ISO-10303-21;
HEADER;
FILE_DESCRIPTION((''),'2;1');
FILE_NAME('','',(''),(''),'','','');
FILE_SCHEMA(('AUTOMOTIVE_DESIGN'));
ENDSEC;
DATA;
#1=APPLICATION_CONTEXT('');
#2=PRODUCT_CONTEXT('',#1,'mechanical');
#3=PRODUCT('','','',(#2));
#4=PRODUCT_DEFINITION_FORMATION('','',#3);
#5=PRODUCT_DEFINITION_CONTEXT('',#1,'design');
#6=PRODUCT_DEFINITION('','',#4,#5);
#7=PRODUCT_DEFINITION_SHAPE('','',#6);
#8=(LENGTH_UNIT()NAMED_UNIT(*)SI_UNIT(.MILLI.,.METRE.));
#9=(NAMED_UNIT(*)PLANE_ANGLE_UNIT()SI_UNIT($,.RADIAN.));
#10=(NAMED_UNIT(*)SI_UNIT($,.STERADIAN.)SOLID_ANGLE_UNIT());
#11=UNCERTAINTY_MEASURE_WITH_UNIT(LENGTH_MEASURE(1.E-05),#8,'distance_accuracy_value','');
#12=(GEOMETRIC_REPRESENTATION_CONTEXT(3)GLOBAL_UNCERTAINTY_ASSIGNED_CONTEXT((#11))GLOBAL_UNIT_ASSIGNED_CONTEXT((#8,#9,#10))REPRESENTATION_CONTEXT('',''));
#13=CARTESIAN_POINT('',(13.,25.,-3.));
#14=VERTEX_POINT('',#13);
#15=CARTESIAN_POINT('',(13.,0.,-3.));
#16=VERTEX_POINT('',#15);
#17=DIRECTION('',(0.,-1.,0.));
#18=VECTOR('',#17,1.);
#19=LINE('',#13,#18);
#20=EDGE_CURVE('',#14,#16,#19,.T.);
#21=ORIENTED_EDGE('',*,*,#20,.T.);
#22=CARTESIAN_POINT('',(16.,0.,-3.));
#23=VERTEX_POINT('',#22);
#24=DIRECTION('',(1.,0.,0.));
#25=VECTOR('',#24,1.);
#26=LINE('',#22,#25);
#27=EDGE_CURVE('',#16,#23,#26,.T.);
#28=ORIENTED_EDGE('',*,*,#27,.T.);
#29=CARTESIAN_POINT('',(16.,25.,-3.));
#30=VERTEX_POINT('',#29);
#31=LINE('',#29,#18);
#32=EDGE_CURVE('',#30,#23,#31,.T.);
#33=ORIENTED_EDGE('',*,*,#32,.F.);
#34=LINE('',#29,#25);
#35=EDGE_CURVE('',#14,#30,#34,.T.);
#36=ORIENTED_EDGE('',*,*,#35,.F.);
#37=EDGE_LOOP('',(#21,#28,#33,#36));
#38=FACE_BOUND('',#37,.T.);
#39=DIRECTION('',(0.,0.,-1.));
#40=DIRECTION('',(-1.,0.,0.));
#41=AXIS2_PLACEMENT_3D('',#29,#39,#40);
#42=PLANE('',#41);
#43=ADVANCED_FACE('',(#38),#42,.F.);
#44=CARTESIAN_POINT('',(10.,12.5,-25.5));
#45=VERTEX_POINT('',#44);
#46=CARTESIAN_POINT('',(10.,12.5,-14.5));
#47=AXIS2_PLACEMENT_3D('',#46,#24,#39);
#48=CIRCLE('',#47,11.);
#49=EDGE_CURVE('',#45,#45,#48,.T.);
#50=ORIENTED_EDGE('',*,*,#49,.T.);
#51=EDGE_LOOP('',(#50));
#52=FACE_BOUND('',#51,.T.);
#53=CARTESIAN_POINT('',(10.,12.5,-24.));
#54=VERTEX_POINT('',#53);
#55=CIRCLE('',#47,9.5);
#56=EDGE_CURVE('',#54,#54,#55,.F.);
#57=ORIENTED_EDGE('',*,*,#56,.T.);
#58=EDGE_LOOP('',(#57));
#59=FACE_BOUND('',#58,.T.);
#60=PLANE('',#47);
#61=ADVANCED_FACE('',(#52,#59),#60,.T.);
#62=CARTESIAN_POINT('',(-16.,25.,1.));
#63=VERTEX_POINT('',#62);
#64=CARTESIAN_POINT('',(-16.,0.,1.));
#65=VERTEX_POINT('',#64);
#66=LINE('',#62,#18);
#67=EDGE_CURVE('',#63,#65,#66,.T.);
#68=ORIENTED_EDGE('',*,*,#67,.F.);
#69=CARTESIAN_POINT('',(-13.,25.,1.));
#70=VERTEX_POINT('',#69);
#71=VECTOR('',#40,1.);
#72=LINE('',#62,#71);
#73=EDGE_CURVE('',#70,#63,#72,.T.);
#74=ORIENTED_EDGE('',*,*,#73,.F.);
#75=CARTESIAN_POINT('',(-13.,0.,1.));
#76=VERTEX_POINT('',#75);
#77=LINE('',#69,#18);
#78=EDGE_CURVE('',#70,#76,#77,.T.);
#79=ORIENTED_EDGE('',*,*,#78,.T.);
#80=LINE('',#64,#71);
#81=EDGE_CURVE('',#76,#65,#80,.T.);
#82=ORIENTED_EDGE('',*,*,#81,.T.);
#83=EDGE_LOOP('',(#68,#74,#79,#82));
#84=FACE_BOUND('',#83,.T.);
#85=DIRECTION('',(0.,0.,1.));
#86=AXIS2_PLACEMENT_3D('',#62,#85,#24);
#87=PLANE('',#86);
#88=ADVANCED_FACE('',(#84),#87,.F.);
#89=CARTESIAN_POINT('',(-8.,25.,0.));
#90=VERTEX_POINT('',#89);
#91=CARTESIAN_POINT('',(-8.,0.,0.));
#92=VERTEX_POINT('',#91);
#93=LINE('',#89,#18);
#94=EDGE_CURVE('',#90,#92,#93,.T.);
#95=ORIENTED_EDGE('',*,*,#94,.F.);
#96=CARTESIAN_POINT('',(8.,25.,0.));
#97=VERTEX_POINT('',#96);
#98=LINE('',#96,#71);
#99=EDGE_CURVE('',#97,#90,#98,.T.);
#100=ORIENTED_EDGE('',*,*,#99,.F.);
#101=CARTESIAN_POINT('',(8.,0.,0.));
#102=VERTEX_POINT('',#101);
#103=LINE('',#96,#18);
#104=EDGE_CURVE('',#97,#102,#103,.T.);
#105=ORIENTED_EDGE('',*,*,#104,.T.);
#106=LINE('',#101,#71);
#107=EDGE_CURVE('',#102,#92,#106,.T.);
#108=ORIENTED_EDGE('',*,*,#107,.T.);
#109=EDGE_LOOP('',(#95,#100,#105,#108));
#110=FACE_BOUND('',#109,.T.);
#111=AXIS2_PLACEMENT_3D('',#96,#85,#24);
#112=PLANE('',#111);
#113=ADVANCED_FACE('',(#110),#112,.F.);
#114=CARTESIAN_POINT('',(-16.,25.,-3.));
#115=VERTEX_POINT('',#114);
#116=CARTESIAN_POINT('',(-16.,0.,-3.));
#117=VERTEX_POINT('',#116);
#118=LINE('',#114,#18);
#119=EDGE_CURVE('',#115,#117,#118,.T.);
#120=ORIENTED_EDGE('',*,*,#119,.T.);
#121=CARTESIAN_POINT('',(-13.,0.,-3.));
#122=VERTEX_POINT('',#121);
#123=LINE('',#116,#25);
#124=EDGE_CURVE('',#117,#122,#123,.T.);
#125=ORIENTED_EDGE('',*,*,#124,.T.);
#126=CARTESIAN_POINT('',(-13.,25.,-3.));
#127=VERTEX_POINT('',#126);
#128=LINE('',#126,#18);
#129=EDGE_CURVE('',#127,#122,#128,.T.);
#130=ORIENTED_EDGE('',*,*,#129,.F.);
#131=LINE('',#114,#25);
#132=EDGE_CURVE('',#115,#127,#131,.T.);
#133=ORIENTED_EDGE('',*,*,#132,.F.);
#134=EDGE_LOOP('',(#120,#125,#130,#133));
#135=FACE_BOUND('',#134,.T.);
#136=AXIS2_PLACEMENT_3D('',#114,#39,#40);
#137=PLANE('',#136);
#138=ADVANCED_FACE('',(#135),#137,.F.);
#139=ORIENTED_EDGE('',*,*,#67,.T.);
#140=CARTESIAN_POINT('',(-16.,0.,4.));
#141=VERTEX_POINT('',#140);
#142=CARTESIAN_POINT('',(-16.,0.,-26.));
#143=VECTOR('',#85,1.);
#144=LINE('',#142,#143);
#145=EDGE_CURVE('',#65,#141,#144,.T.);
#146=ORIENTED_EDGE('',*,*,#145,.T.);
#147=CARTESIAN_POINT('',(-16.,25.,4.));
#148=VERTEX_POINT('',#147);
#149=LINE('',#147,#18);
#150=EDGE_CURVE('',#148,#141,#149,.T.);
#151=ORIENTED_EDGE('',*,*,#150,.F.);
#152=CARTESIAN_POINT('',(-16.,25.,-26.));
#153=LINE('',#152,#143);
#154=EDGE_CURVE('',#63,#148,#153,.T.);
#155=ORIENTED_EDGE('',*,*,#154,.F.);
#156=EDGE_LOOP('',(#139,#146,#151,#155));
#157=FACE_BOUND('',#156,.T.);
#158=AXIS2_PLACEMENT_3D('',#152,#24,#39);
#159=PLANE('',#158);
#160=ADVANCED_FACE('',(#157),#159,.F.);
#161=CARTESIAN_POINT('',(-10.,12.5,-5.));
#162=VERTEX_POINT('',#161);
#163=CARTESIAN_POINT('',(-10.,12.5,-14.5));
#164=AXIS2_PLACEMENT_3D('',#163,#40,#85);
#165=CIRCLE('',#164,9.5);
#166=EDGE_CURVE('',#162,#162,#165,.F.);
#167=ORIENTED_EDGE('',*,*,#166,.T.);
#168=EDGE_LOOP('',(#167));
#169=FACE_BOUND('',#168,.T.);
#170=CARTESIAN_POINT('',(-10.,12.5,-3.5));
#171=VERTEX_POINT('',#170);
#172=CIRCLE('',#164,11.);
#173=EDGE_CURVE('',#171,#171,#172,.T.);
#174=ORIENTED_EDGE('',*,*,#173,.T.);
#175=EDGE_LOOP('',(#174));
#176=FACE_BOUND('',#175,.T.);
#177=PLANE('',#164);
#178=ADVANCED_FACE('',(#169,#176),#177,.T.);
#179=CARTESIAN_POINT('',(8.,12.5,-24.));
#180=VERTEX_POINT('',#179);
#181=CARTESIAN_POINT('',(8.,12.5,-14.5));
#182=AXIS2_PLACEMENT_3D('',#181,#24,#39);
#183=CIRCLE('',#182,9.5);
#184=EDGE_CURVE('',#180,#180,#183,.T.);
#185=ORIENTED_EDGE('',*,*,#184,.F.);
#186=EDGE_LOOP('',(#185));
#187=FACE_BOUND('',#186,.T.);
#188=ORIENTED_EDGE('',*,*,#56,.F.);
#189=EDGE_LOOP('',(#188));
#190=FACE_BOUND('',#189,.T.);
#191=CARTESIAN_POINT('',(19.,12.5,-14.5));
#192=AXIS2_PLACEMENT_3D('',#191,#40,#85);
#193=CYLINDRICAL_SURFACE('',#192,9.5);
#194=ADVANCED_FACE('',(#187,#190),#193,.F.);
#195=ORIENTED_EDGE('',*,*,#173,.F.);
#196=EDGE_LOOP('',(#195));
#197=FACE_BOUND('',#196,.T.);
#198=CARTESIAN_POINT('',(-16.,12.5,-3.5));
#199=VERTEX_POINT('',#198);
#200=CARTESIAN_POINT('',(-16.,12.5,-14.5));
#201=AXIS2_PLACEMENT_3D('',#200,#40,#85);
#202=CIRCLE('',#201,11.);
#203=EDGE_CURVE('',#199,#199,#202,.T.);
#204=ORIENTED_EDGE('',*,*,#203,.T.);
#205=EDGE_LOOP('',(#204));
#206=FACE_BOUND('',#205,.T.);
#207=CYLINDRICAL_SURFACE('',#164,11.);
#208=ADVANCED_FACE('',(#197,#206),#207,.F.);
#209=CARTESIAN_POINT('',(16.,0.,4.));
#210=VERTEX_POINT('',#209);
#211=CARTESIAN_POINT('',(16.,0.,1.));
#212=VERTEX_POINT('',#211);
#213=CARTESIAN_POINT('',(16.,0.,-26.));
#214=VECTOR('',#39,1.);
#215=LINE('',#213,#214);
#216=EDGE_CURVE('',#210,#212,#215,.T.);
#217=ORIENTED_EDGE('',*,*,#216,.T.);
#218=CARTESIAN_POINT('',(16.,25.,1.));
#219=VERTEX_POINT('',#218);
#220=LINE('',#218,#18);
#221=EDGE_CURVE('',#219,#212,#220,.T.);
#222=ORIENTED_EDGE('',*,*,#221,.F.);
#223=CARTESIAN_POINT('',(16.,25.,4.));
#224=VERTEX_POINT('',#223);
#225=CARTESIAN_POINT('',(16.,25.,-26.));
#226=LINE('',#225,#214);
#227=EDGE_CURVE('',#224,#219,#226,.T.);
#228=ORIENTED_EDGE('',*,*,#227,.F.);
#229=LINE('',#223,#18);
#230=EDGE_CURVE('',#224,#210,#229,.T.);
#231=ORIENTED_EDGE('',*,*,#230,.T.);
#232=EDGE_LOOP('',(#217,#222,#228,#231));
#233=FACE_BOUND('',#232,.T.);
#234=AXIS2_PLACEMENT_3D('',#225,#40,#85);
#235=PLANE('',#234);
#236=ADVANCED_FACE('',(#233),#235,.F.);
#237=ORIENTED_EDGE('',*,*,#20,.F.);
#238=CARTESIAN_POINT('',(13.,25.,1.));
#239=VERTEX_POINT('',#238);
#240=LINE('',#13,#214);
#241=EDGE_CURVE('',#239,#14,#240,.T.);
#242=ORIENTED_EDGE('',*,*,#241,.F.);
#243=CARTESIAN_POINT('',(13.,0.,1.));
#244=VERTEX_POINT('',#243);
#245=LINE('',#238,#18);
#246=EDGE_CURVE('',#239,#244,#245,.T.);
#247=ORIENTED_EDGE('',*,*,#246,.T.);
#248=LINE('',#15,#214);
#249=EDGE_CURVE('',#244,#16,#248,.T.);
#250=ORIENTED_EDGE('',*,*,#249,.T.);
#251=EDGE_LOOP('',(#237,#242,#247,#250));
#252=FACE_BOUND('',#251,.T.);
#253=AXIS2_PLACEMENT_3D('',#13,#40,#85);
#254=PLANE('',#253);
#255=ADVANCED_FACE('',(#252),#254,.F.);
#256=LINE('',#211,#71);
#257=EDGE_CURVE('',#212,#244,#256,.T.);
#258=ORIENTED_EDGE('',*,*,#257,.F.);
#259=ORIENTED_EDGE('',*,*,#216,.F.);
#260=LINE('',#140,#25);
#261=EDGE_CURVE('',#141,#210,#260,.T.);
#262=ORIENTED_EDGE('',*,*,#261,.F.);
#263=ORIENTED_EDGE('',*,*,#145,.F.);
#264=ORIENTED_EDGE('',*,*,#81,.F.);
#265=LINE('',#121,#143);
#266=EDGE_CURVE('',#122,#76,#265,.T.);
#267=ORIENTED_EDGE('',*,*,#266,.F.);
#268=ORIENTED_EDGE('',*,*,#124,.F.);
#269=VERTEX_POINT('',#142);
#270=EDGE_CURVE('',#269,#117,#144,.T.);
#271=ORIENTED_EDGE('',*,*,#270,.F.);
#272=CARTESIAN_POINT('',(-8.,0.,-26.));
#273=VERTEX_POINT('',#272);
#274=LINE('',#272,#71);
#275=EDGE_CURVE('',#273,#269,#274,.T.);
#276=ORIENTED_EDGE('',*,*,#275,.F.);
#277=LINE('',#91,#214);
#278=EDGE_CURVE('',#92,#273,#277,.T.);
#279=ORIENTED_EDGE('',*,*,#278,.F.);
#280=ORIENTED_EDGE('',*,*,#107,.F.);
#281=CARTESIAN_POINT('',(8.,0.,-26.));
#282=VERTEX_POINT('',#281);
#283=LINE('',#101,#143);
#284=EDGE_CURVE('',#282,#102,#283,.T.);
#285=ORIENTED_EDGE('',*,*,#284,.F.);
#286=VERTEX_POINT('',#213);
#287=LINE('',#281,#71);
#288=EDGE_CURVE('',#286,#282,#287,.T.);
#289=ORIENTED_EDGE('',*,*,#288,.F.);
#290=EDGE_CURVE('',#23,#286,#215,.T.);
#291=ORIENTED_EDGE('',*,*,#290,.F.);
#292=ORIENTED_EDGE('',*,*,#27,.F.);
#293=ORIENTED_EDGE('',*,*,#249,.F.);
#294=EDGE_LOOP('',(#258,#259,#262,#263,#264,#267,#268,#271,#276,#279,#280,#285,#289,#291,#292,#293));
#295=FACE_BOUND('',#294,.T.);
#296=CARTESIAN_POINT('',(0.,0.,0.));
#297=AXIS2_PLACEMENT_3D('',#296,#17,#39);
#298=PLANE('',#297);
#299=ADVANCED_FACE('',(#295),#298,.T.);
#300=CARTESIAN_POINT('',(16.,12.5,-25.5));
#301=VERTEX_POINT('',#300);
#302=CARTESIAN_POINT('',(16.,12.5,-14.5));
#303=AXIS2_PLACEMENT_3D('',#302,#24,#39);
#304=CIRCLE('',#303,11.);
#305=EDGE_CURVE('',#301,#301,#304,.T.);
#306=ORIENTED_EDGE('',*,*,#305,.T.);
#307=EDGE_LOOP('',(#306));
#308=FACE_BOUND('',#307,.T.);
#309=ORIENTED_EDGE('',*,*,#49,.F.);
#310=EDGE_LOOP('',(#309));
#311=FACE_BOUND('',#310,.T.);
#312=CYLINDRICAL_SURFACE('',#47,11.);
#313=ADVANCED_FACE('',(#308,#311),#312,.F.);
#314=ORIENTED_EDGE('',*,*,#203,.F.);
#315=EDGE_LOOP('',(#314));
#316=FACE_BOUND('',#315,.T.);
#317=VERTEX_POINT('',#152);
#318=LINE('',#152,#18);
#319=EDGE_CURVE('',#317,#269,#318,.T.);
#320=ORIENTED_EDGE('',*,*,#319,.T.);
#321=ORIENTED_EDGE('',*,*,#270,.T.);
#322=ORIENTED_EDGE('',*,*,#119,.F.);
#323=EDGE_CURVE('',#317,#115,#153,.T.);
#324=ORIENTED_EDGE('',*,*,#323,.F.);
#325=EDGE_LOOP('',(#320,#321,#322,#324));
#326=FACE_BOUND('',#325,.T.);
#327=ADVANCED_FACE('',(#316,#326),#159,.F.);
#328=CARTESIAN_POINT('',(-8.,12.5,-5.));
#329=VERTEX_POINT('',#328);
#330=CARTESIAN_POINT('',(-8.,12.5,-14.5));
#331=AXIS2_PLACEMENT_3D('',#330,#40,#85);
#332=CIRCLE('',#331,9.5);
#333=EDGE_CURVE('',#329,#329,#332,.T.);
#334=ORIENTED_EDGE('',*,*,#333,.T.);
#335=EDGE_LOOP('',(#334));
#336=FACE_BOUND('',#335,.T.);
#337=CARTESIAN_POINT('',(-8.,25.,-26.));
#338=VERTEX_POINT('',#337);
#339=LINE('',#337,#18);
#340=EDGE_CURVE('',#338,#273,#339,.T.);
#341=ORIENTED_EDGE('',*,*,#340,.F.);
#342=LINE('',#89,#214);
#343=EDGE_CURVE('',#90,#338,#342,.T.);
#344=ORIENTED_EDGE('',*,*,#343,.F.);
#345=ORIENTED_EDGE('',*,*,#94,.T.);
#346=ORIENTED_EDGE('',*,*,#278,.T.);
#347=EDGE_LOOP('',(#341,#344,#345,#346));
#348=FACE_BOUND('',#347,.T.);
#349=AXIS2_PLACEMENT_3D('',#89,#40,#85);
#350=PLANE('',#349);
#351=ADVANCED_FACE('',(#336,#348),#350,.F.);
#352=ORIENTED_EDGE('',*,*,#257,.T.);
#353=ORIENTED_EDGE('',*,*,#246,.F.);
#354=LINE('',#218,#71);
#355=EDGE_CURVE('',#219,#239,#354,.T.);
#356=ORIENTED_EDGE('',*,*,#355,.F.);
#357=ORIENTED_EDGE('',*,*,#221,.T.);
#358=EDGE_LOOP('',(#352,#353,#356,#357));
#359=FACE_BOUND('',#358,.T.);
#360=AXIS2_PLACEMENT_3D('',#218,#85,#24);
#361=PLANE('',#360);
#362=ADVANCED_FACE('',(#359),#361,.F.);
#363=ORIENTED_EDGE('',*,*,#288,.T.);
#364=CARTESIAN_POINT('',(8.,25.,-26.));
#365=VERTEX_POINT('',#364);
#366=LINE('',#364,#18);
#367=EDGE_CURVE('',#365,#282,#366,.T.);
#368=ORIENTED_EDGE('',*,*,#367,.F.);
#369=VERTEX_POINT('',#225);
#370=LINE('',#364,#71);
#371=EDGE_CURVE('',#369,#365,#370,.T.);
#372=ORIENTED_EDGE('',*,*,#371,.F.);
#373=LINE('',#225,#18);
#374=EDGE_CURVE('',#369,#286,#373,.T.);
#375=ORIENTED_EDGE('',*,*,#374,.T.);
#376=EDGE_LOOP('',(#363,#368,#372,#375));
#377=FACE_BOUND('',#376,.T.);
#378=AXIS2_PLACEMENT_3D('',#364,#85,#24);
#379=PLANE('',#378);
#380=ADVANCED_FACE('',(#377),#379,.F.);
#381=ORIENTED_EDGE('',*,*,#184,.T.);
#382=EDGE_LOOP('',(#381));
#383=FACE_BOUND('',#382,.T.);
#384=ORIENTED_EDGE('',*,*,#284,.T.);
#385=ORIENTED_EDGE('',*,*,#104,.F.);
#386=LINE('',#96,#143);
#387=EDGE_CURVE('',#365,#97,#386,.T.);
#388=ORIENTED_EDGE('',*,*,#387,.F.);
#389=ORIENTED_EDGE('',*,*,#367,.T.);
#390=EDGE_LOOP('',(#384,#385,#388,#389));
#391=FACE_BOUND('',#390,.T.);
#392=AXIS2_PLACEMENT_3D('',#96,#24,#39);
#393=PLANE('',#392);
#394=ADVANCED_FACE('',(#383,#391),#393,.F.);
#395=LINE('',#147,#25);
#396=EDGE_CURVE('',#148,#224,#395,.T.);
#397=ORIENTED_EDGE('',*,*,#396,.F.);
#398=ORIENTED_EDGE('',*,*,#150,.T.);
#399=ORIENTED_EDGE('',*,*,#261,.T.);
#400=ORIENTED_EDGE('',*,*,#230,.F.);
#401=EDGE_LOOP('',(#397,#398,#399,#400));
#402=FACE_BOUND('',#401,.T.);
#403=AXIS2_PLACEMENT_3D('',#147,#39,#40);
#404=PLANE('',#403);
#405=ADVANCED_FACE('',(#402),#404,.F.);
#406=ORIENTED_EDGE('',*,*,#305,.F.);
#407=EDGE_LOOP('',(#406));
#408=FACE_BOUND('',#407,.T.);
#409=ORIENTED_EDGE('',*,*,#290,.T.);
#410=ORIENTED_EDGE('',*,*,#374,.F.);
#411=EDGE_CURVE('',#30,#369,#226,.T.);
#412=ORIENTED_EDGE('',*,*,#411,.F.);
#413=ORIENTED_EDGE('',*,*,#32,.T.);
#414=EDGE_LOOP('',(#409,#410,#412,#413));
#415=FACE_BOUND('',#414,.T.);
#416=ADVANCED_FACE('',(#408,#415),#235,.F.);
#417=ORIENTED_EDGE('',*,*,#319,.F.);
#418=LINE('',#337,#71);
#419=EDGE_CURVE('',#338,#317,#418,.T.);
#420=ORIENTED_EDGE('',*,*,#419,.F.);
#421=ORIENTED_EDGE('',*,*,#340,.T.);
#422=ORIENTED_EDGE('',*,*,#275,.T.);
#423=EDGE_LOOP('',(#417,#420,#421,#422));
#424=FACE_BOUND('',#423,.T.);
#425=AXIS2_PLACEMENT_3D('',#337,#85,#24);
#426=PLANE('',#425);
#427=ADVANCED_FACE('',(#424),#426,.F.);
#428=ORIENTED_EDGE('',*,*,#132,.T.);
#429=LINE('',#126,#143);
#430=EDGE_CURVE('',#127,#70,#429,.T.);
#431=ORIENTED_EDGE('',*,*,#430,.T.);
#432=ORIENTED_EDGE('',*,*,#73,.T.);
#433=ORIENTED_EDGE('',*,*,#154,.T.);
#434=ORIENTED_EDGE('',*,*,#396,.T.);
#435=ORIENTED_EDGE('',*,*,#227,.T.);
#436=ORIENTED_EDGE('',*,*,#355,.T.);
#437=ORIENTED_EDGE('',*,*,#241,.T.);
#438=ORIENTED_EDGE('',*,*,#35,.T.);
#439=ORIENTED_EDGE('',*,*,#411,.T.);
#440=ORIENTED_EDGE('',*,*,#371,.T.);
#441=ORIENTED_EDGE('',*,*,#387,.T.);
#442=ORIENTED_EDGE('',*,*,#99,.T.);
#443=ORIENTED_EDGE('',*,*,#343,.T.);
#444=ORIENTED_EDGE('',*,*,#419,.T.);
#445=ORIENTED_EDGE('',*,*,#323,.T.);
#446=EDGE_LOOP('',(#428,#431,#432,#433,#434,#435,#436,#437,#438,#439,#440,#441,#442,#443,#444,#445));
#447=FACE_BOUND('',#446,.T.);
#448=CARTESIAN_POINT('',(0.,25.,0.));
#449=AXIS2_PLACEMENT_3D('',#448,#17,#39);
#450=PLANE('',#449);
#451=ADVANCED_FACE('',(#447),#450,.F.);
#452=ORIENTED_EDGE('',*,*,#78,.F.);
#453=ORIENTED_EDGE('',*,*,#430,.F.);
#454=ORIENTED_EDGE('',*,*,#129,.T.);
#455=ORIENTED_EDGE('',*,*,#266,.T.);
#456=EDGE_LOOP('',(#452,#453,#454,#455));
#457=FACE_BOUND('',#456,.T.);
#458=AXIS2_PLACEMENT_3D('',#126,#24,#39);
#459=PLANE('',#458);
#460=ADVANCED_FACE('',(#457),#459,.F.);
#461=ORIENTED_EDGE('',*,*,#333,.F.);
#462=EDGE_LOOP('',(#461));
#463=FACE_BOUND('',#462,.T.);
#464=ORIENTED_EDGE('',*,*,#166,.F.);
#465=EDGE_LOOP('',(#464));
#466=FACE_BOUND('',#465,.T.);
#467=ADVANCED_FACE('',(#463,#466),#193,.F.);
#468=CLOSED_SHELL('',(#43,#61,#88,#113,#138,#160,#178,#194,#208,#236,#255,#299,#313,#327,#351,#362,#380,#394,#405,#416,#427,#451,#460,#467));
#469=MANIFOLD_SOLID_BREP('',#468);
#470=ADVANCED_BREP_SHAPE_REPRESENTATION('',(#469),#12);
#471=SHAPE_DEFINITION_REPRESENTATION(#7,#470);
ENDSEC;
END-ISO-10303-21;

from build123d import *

# Parameters (mm, degrees)
AUFSATZ_LINEAR_AUSTRAGEN1_DEPTH = 25
SKIZZE2_W                       = 3
SKIZZE2_H                       = 4
SCHNITT_LINEAR_AUSTRAGEN1_DEPTH = 25
SKIZZE3_R                       = 9.5
SCHNITT_LINEAR_AUSTRAGEN2_DEPTH = 35
SKIZZE4_R                       = 11
SCHNITT_LINEAR_AUSTRAGEN3_DEPTH = 6
SKIZZE5_R                       = 11
SCHNITT_LINEAR_AUSTRAGEN4_DEPTH = 6


with BuildPart() as part:
    # Skizze1 → Aufsatz-Linear austragen1 (new body)
    with BuildSketch(Plane(origin=(0, 0, 0), x_dir=(1, 0, 0), z_dir=(0, 1, 0))):
        Polygon((-8, 0), (-8, 26), (-16, 26), (-16, -4), (16, -4), (16, 26), (8, 26), (8, 0), align=None)
    extrude(amount=AUFSATZ_LINEAR_AUSTRAGEN1_DEPTH)

    # Skizze2 → Schnitt-Linear austragen1 (cut)
    with BuildSketch(Plane.XZ):
        with Locations((14.5, -1)):
            Rectangle(SKIZZE2_W, SKIZZE2_H)
        with Locations((-14.5, -1)):
            Rectangle(SKIZZE2_W, SKIZZE2_H)
    extrude(amount=-SCHNITT_LINEAR_AUSTRAGEN1_DEPTH, mode=Mode.SUBTRACT)

    # Skizze3 → Schnitt-Linear austragen2 (cut)
    with BuildSketch(Plane.ZY.offset(16)):
        with Locations((-14.5, 12.5)):
            Circle(SKIZZE3_R)
    extrude(amount=-SCHNITT_LINEAR_AUSTRAGEN2_DEPTH, mode=Mode.SUBTRACT)

    # Skizze4 → Schnitt-Linear austragen3 (cut)
    with BuildSketch(Plane.ZY.offset(16)):
        with Locations((-14.5, 12.5)):
            Circle(SKIZZE4_R)
    extrude(amount=-SCHNITT_LINEAR_AUSTRAGEN3_DEPTH, mode=Mode.SUBTRACT)

    # Skizze5 → Schnitt-Linear austragen4 (cut)
    with BuildSketch(Plane(origin=(16, 0, 0), x_dir=(0, 0, -1), z_dir=(1, 0, 0))):
        with Locations((14.5, 12.5)):
            Circle(SKIZZE5_R)
    extrude(amount=-SCHNITT_LINEAR_AUSTRAGEN4_DEPTH, mode=Mode.SUBTRACT)


solid = part.part
